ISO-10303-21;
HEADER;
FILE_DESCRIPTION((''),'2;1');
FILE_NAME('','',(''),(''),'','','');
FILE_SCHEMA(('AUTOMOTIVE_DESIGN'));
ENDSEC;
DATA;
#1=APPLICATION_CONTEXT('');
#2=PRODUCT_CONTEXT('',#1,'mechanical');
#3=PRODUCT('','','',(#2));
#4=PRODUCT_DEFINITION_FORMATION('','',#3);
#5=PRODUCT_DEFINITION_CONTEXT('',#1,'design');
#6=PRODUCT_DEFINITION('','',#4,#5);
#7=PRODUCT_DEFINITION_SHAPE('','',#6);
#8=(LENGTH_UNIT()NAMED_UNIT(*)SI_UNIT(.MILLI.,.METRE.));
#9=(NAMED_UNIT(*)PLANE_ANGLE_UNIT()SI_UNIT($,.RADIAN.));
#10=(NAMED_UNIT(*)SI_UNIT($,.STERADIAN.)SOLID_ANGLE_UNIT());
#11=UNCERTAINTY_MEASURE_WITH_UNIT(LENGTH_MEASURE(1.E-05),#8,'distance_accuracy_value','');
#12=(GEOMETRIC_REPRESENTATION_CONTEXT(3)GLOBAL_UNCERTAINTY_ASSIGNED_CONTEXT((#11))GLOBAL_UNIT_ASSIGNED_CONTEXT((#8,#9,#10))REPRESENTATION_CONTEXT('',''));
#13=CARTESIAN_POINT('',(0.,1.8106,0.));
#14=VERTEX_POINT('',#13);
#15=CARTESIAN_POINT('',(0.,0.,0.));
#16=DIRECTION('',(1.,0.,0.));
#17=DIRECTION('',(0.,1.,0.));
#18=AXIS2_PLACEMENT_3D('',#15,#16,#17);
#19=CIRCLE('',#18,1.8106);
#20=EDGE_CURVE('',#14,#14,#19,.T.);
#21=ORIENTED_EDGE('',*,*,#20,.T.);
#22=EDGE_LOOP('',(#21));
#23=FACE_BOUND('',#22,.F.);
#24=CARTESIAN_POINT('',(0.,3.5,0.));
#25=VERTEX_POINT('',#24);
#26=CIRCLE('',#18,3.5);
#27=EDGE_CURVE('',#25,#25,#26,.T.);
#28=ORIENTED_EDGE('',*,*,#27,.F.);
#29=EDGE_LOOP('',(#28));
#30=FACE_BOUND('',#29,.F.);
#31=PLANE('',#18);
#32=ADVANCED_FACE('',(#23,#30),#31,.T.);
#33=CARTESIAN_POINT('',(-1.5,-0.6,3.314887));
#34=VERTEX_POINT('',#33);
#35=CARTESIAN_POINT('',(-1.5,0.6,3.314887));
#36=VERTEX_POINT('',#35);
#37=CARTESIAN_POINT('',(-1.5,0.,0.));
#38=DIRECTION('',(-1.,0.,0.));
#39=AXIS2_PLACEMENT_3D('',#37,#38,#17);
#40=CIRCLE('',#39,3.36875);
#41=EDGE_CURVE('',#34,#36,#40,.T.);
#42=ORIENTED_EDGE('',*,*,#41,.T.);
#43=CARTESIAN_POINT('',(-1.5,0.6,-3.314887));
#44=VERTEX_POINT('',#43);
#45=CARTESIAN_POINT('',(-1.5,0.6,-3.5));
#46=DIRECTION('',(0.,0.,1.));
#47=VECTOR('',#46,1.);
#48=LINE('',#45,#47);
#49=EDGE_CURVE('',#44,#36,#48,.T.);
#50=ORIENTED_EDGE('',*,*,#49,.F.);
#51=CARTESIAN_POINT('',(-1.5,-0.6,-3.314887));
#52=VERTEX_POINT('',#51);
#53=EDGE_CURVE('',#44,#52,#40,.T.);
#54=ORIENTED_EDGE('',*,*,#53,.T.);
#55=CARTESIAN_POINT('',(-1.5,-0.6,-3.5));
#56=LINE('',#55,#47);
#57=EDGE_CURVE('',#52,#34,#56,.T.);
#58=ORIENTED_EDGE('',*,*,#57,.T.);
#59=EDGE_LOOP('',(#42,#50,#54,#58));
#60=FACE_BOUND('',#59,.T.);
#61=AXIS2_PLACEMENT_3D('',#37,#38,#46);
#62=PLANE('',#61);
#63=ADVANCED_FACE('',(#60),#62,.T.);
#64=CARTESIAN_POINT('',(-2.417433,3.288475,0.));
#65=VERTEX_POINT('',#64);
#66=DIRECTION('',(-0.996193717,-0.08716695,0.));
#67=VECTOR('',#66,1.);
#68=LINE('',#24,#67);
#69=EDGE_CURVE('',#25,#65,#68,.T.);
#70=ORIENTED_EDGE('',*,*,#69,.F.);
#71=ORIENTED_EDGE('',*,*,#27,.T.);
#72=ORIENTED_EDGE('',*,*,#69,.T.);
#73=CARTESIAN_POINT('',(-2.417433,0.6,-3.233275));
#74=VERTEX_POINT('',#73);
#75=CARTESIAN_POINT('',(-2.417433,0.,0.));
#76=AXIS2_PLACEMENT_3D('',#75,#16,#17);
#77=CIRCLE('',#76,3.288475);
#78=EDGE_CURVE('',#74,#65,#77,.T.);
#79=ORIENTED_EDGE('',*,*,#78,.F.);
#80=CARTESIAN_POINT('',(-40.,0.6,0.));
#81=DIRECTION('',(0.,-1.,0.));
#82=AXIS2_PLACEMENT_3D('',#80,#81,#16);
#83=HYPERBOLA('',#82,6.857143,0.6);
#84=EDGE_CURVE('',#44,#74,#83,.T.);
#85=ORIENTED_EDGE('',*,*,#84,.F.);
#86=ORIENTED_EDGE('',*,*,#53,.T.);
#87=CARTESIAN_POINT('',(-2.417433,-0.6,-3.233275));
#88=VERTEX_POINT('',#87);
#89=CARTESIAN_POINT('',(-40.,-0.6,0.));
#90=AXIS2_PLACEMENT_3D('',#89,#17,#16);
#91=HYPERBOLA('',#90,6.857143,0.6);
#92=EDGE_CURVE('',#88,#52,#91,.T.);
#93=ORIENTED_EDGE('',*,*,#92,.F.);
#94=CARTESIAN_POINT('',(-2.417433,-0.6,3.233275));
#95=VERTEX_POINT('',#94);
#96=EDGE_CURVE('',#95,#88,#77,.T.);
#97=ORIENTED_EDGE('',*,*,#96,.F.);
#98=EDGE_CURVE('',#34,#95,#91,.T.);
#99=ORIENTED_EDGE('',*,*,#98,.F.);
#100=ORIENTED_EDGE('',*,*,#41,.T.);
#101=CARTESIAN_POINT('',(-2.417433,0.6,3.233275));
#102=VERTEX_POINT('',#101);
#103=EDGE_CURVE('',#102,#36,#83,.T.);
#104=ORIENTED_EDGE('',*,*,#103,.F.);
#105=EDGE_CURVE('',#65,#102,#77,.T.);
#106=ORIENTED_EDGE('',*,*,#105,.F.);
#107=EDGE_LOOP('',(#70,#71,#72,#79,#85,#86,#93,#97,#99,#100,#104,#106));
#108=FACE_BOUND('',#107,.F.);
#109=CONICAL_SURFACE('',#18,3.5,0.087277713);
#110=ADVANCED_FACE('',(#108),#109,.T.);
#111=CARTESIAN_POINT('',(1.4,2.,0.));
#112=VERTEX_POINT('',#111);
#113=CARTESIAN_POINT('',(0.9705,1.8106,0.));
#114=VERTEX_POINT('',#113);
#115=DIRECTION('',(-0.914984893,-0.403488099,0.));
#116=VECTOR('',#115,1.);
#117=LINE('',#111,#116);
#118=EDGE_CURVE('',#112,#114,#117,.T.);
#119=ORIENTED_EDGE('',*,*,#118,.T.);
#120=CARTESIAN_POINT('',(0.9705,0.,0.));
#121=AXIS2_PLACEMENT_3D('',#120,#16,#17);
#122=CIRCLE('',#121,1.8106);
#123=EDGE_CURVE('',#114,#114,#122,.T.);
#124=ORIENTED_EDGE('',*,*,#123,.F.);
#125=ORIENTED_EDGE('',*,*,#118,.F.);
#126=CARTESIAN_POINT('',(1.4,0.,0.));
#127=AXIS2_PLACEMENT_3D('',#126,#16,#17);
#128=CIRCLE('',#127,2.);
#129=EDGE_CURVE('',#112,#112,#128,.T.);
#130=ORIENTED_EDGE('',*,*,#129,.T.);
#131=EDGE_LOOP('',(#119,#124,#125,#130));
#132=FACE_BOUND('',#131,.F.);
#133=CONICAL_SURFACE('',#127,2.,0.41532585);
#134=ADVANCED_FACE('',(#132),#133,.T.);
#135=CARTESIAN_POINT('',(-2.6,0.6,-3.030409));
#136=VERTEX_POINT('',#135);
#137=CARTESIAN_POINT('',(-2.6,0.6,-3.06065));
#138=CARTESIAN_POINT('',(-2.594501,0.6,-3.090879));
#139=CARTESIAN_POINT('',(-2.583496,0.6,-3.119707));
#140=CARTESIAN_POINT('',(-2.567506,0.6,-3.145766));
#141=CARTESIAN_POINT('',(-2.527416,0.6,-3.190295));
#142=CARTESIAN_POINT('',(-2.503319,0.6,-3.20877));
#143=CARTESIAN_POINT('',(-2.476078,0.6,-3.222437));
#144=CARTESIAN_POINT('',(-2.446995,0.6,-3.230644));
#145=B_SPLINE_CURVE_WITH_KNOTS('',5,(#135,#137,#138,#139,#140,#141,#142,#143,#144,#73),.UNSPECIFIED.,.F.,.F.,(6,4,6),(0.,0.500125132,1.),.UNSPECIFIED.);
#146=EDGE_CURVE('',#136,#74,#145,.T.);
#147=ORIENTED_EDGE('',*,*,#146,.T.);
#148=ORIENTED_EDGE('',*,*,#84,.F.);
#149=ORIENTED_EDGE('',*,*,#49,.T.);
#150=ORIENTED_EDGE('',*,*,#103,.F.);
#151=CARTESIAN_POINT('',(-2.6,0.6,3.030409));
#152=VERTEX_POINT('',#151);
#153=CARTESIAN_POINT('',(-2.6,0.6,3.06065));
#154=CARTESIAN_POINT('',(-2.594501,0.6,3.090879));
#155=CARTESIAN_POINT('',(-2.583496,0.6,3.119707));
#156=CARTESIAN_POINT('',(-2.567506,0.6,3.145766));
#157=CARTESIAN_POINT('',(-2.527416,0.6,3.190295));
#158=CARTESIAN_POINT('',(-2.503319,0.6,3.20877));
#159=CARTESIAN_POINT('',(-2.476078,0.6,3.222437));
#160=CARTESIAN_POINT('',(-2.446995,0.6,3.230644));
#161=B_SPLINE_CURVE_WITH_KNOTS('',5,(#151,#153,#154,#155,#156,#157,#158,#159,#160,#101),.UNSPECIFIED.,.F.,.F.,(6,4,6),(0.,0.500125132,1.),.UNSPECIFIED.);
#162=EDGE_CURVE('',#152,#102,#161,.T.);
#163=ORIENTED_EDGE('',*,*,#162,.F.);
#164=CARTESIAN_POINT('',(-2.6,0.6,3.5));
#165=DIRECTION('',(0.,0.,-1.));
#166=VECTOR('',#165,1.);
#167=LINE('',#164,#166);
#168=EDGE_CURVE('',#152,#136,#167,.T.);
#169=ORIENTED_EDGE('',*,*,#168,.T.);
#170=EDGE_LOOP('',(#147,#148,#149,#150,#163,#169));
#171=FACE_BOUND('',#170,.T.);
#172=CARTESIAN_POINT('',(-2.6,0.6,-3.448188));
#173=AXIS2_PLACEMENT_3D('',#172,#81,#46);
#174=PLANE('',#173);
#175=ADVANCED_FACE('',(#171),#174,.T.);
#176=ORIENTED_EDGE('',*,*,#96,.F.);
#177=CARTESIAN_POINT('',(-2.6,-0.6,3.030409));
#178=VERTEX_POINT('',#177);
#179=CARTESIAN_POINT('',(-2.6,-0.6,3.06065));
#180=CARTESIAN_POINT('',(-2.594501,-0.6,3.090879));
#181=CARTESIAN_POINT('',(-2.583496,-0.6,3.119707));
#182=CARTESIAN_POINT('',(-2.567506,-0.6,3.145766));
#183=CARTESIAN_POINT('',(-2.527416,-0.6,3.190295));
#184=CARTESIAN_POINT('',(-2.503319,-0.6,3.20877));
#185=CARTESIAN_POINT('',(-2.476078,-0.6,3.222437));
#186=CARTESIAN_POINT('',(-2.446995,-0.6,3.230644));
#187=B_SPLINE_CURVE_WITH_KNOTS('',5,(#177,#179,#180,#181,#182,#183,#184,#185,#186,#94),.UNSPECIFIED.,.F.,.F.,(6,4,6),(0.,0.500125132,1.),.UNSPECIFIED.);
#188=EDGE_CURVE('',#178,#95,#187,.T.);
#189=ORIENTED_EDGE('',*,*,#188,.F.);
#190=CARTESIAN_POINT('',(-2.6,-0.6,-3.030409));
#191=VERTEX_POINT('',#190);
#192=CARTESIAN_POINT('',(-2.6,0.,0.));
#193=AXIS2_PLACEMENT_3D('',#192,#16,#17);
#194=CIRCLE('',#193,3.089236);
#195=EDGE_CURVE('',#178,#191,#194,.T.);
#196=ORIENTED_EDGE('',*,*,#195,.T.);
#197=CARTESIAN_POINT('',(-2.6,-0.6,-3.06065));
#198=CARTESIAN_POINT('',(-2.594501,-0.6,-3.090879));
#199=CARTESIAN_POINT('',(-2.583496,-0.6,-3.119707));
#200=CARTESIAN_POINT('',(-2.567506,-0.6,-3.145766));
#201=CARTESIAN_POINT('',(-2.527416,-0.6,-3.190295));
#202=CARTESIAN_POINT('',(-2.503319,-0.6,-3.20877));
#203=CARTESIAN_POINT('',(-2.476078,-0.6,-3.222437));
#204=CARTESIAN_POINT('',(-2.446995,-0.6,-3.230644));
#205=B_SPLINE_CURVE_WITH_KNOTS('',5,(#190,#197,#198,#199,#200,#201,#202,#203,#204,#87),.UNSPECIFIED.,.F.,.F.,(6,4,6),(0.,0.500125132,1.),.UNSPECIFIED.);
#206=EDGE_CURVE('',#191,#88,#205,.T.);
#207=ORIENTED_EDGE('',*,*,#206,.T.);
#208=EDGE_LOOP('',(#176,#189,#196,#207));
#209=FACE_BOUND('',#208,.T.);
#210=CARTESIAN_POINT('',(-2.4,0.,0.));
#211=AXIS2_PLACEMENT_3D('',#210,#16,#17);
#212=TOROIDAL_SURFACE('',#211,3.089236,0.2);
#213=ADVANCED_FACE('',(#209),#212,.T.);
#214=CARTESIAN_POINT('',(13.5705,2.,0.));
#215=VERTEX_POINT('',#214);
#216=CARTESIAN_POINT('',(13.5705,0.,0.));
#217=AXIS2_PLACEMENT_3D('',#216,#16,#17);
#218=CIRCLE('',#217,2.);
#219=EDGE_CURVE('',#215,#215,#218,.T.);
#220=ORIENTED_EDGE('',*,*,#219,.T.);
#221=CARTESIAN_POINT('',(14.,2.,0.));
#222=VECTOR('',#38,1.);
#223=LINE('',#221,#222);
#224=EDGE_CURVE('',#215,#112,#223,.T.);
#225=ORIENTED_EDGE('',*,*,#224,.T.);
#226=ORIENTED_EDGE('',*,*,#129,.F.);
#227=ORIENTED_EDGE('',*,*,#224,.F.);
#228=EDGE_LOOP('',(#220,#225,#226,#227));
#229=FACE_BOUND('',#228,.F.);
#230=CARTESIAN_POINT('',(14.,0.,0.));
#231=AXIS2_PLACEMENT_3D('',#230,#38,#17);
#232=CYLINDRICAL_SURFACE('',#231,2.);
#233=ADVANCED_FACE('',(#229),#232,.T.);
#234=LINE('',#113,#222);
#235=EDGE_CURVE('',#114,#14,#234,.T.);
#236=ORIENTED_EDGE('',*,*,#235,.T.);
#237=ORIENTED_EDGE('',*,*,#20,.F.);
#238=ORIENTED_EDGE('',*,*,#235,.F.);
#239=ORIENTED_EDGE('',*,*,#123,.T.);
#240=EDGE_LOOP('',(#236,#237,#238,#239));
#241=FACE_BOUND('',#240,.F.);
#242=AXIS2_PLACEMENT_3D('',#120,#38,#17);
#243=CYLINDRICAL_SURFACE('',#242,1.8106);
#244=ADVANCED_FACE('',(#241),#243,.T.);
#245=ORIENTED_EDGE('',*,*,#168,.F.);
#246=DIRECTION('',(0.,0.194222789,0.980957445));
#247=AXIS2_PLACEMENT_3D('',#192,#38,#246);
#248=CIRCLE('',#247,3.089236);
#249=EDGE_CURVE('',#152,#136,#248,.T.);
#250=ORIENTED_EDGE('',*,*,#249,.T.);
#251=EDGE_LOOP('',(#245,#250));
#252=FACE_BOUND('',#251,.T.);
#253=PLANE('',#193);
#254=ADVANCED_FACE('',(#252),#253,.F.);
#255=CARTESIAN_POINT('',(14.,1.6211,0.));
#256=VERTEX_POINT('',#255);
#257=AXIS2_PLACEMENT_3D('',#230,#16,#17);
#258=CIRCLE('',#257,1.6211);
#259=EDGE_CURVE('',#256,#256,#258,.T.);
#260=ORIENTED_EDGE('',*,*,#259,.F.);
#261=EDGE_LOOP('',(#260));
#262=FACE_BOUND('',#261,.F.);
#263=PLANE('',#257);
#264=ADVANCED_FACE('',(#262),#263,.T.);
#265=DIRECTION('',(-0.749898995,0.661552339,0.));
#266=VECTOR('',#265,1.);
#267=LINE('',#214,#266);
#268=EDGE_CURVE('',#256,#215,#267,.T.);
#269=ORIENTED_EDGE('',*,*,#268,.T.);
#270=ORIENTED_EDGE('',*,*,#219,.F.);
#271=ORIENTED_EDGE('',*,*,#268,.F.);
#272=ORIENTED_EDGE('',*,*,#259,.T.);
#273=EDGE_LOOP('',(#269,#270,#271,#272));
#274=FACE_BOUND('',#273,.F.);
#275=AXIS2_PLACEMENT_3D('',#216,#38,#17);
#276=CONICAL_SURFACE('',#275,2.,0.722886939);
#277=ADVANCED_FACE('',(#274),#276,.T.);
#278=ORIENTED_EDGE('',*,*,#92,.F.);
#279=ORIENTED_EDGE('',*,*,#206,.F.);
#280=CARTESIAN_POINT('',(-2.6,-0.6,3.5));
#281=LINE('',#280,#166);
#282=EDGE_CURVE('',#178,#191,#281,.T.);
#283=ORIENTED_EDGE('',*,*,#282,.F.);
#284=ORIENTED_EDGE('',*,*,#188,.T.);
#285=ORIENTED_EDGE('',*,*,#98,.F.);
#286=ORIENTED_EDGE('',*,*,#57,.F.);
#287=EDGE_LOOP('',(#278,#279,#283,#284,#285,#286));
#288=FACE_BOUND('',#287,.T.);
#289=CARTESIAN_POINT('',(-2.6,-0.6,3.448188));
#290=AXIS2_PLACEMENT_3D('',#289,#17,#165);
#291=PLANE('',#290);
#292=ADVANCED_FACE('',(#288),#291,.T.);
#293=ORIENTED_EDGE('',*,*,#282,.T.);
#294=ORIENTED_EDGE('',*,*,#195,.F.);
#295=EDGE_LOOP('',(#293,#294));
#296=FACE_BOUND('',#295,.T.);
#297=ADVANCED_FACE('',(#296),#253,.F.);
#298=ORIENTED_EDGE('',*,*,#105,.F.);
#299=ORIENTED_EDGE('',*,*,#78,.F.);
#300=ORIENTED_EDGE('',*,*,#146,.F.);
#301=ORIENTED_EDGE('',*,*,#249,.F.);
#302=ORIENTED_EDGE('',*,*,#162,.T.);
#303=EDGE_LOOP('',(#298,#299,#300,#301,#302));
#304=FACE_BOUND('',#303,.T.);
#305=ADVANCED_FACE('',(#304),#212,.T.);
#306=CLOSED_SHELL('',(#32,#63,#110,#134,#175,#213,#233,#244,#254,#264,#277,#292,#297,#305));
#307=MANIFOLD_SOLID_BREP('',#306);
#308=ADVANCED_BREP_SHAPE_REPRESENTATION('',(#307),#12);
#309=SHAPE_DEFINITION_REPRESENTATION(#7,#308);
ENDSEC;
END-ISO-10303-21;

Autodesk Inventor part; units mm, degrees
ref_plane "YZ Plane" through (0, 0, 0) normal (1, 0, 0) x (0, 1, 0)
ref_plane "XZ Plane" through (0, 0, 0) normal (0, 1, 0) x (-1, 0, 0)
sketch "Sketch1" plane through (0, 0, 0) normal (0, 0, 1) x (1, 0, 0)
  line L0 (-2.6, 0) -> (14, 0)
  line L1 (14, 0) -> (14, 2)
  line L2 (14, 2) -> (1.4, 2)
  line L3 (1.4, 2) -> (0.9705, 1.8106)
  line L4 (0.9705, 1.8106) -> (0, 1.8106)
  line L5 (0, 1.8106) -> (0, 3.5)
  line L6 (-5.92, 0) -> (17.32, 0) projected
  line L7 (0, -0.7) -> (0, 4.2) projected
  line L8 (-2.6, 0) -> (-2.6, 3.2725)
  line L9 (0, 3.5) -> (-2.6, 3.2725)
  line L10 (1.4, 2) -> (0, 2) construction
  dimension "d0" = 14
  dimension "d1" = 12.6
  dimension "d2" = 0.4295
  dimension "d3" = 2.6
  dimension "d4" = 4
  dimension "d5" = 3.6211
  dimension "d9" = 7
  dimension "d10" = 5
revolve "Body" add sketch "Sketch1" angle 360 about axis through (-2.6, 0, 0) along (1, 0, 0)
sketch "Sketch2" plane through (-2.6, 0, 0) normal (-1, 0, 0) x (0, 0, 1)
  circle A0 centre (0, 0) radius 3.5 projected
  line L0 (0, 0) -> (0, 3.2725) projected
  line L1 (-3.5, 0.6) -> (3.5, 0.6)
  line L2 (3.5, 0.6) -> (3.5, -0.6)
  line L3 (3.5, -0.6) -> (-3.5, -0.6)
  line L4 (-3.5, -0.6) -> (-3.5, 0.6)
  line L5 (-3.5, 0) -> (3.5, 0) construction
  line L6 (0, 0.6) -> (0, -0.6) construction
  dimension "d11" = 1.2
  dimension "d12" = 7
fillet "Fillet1" radius 0.2 1 edges at (-2.6, -3.2725, 0)
extrude "Slot" cut sketch "Sketch2" against normal blind 1.1 contours A0 L3 L1 | L2 L3 A0 | A0 L1 L2 | A0 L4 L1 | L3 L4 A0
thread "Thread" size "M4x0.7" class "6g" standard "ISO Metric profile" length 12.6
chamfer "Chamfer1" distance 0.3789 distance2 0.4295 1 edges at (14, -2, 0) measured on face at (14, 0.6473, -0.1595)
ref_plane "Work Plane1" through (30.1625, 0, 0) normal (0, 0, -1) x (1, 0, 0)
equation "\"d11\" = SBR"
equation "\"d12\" = KOD"
equation "\"d14\" = RR"
equation "\"d19\" = STI"
equation "\"d15\" = GEL"
equation "\"d17\" = -0.5 * SPD + 0.5 * GD"
equation "\"d0\" = NLG"
equation "\"d1\" = GEL"
equation "\"d3\" = KOH"
equation "\"d4\" = GD"
equation "\"d5\" = BDM"
equation "\"d9\" = KOD"
equation "\"d10\" = KEWI"
equation "\"GD\" = 4"
equation "\"NLG\" = 14"
equation "\"GEL\" = 12.6"
equation "\"KOD\" = 7"
equation "\"KOH\" = 2.6"
equation "\"GAL\" = 0.61345 * PTC"
equation "\"SPD\" = 3.24223"
equation "\"BDM\" = 3.62111"
equation "\"GUL\" = 0.61345 * PTC"
equation "\"RR\" = 0.2"
equation "\"SBR\" = 1.2"
equation "\"STI\" = 1.1"
equation "\"KEWI\" = 5deg"
equation "\"PTC\" = 0.7"
equation "\"THREADDIA\" = 4"
equation "\"TOA\" = 30deg"
equation "\"NND\" = 4"
equation "\"GD1\" = THREADDIA - 1.2269 * PTC"
properties part number "DIN 84 - M4 x 14" material "Steel, Mild"
